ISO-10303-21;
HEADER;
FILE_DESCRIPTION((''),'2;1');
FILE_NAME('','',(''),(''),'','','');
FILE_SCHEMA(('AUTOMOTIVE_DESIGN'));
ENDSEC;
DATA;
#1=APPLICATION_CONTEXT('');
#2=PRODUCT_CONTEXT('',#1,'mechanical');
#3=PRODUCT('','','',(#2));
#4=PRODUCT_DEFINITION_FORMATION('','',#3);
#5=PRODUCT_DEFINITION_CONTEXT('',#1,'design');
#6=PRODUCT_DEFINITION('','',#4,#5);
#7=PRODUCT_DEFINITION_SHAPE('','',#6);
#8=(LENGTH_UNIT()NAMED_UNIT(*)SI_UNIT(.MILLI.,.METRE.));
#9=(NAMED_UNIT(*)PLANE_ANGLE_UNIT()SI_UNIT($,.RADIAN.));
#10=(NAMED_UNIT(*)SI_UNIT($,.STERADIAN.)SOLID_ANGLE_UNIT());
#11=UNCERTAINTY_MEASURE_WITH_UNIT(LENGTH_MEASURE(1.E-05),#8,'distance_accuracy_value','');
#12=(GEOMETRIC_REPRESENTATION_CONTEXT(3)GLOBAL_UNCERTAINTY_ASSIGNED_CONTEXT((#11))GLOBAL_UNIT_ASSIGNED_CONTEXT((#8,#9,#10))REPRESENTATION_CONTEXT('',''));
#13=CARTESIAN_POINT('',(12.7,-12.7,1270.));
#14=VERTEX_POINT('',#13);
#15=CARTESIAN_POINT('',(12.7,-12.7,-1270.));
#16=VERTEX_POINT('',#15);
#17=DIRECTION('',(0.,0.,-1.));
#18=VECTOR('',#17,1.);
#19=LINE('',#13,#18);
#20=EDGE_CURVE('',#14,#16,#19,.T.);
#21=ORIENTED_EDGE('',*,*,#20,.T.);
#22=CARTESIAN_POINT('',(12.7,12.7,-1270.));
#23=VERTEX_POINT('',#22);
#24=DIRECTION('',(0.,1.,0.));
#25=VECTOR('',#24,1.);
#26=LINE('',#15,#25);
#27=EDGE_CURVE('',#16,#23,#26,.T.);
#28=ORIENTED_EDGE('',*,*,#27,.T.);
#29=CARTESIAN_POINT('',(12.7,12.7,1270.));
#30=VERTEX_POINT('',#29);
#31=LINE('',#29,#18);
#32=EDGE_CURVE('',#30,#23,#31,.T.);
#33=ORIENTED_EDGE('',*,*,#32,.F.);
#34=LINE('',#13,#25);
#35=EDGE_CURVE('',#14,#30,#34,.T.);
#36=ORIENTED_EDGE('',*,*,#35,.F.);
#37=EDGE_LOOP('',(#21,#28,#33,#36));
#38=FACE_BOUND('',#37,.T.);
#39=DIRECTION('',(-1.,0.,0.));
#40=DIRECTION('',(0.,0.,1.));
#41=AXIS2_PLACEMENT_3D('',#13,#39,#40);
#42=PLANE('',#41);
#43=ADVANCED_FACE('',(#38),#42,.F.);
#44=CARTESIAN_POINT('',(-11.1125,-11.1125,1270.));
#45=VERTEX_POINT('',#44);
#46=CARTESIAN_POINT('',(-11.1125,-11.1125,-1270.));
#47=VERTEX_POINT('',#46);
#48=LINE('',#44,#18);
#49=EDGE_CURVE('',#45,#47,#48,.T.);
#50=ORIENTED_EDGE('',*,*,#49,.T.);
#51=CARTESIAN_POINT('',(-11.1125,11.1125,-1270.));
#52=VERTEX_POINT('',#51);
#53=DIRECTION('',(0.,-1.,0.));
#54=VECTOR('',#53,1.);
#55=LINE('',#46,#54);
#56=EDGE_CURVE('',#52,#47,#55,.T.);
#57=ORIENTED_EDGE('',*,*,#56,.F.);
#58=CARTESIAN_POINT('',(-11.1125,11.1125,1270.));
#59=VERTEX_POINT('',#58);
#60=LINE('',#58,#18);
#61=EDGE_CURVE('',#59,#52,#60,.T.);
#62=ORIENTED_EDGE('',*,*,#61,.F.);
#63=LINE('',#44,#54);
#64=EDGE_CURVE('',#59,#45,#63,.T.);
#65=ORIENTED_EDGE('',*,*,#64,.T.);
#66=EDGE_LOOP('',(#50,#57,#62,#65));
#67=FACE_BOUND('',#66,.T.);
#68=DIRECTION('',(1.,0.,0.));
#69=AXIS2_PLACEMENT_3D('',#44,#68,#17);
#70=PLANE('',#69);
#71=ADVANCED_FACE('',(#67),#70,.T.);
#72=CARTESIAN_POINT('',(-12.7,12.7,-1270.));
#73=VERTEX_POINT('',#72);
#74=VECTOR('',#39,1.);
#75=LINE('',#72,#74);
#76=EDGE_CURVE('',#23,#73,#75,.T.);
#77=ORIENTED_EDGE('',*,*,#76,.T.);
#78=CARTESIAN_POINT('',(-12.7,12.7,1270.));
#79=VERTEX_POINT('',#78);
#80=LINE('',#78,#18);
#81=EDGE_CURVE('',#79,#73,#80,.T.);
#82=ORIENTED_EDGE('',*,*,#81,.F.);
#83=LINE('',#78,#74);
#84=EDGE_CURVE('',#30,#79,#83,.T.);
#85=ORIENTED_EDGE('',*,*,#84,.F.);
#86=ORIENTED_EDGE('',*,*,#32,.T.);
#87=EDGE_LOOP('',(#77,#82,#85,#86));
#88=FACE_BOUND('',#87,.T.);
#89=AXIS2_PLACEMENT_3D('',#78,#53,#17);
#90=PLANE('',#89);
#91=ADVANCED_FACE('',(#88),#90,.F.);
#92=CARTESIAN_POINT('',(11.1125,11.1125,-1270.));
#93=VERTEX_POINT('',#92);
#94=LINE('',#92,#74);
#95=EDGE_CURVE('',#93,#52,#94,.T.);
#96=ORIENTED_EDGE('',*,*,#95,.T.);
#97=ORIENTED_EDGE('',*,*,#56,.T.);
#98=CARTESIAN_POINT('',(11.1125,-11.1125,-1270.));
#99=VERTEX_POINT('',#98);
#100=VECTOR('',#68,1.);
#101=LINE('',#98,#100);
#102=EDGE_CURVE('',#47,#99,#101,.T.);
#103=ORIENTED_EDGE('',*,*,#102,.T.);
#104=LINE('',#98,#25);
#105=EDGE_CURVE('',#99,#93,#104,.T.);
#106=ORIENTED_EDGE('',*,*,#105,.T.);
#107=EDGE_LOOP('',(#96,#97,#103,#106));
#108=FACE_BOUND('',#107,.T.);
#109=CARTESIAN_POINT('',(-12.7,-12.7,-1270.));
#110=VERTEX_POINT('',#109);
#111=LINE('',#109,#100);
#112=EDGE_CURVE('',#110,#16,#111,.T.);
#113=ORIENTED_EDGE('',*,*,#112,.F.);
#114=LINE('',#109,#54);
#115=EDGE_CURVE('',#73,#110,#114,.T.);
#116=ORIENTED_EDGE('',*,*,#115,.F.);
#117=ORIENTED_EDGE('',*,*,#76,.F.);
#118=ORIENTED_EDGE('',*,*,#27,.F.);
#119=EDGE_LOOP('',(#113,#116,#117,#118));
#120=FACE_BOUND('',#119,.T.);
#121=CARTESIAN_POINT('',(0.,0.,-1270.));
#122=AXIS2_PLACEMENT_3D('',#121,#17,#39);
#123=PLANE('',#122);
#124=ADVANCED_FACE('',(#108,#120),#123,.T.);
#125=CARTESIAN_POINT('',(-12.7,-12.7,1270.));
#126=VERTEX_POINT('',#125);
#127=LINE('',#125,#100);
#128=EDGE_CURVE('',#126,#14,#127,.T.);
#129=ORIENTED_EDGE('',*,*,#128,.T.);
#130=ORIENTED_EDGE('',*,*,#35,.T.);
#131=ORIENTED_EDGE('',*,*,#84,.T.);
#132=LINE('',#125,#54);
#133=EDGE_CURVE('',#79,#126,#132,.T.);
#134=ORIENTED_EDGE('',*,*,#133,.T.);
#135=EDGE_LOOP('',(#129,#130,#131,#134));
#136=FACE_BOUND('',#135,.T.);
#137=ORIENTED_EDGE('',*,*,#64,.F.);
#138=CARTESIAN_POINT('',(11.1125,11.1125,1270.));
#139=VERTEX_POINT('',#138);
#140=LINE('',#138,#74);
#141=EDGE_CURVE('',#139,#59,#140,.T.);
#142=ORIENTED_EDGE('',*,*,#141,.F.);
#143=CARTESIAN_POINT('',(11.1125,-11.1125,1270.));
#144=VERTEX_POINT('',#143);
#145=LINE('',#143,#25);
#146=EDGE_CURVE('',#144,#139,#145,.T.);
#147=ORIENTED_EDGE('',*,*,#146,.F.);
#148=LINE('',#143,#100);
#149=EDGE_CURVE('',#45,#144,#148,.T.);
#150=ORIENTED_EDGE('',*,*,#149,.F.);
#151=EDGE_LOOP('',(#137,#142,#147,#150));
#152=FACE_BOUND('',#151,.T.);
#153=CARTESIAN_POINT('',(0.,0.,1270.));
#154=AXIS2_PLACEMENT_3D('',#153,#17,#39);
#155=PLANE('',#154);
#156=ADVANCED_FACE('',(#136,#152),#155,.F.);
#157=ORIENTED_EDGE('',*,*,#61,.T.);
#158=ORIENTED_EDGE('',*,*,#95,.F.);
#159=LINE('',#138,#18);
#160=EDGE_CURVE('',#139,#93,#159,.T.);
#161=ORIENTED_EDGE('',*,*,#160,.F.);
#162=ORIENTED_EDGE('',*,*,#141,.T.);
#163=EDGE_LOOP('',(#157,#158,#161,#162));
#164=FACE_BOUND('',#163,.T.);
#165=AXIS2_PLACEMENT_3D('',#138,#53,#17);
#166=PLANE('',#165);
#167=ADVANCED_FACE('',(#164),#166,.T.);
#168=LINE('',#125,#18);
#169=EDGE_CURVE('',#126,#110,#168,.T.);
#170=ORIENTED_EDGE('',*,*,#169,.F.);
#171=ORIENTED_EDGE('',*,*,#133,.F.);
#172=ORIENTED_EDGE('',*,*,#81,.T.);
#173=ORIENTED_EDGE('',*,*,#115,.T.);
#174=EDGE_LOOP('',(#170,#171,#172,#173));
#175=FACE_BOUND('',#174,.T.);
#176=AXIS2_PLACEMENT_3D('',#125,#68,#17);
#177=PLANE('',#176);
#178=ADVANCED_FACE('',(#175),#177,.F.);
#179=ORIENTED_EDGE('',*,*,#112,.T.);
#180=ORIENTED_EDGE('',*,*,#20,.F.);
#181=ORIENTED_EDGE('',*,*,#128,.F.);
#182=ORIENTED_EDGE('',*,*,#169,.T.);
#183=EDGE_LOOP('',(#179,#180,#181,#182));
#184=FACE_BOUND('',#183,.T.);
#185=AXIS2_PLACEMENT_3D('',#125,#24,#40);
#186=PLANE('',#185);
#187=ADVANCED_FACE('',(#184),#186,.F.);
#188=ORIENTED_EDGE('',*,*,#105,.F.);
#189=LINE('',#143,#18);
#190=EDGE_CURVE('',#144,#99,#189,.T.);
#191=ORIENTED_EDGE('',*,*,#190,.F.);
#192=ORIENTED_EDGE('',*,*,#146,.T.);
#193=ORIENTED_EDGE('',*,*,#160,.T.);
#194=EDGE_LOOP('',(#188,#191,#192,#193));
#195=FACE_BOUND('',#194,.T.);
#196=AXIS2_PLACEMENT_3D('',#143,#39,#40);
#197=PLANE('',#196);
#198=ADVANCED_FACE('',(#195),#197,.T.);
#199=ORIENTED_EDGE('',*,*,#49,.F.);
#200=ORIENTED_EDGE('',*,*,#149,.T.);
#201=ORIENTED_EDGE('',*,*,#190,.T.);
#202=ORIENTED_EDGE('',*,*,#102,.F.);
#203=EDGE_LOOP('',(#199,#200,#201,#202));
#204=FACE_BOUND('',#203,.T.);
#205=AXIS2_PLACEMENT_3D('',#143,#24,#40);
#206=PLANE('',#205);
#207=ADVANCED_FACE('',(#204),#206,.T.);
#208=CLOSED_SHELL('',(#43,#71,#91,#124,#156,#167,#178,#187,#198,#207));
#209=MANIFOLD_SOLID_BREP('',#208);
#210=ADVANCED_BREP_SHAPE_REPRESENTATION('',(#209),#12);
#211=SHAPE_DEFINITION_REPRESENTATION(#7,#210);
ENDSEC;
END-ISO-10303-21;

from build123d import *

# Parameters (mm, degrees)
SKETCH1_W           = 25.4
SKETCH1_H           = 25.4
SKETCH1_W_2         = 22.225
SKETCH1_H_2         = 22.225
BOSS_EXTRUDE1_DEPTH = 1270


with BuildPart() as part:
    # Sketch1 → Boss-Extrude1 (new body, symmetric)
    with BuildSketch(Plane.XY):
        Rectangle(SKETCH1_W, SKETCH1_H)
        Rectangle(SKETCH1_W_2, SKETCH1_H_2, mode=Mode.SUBTRACT)
    extrude(amount=BOSS_EXTRUDE1_DEPTH, both=True)


solid = part.part
